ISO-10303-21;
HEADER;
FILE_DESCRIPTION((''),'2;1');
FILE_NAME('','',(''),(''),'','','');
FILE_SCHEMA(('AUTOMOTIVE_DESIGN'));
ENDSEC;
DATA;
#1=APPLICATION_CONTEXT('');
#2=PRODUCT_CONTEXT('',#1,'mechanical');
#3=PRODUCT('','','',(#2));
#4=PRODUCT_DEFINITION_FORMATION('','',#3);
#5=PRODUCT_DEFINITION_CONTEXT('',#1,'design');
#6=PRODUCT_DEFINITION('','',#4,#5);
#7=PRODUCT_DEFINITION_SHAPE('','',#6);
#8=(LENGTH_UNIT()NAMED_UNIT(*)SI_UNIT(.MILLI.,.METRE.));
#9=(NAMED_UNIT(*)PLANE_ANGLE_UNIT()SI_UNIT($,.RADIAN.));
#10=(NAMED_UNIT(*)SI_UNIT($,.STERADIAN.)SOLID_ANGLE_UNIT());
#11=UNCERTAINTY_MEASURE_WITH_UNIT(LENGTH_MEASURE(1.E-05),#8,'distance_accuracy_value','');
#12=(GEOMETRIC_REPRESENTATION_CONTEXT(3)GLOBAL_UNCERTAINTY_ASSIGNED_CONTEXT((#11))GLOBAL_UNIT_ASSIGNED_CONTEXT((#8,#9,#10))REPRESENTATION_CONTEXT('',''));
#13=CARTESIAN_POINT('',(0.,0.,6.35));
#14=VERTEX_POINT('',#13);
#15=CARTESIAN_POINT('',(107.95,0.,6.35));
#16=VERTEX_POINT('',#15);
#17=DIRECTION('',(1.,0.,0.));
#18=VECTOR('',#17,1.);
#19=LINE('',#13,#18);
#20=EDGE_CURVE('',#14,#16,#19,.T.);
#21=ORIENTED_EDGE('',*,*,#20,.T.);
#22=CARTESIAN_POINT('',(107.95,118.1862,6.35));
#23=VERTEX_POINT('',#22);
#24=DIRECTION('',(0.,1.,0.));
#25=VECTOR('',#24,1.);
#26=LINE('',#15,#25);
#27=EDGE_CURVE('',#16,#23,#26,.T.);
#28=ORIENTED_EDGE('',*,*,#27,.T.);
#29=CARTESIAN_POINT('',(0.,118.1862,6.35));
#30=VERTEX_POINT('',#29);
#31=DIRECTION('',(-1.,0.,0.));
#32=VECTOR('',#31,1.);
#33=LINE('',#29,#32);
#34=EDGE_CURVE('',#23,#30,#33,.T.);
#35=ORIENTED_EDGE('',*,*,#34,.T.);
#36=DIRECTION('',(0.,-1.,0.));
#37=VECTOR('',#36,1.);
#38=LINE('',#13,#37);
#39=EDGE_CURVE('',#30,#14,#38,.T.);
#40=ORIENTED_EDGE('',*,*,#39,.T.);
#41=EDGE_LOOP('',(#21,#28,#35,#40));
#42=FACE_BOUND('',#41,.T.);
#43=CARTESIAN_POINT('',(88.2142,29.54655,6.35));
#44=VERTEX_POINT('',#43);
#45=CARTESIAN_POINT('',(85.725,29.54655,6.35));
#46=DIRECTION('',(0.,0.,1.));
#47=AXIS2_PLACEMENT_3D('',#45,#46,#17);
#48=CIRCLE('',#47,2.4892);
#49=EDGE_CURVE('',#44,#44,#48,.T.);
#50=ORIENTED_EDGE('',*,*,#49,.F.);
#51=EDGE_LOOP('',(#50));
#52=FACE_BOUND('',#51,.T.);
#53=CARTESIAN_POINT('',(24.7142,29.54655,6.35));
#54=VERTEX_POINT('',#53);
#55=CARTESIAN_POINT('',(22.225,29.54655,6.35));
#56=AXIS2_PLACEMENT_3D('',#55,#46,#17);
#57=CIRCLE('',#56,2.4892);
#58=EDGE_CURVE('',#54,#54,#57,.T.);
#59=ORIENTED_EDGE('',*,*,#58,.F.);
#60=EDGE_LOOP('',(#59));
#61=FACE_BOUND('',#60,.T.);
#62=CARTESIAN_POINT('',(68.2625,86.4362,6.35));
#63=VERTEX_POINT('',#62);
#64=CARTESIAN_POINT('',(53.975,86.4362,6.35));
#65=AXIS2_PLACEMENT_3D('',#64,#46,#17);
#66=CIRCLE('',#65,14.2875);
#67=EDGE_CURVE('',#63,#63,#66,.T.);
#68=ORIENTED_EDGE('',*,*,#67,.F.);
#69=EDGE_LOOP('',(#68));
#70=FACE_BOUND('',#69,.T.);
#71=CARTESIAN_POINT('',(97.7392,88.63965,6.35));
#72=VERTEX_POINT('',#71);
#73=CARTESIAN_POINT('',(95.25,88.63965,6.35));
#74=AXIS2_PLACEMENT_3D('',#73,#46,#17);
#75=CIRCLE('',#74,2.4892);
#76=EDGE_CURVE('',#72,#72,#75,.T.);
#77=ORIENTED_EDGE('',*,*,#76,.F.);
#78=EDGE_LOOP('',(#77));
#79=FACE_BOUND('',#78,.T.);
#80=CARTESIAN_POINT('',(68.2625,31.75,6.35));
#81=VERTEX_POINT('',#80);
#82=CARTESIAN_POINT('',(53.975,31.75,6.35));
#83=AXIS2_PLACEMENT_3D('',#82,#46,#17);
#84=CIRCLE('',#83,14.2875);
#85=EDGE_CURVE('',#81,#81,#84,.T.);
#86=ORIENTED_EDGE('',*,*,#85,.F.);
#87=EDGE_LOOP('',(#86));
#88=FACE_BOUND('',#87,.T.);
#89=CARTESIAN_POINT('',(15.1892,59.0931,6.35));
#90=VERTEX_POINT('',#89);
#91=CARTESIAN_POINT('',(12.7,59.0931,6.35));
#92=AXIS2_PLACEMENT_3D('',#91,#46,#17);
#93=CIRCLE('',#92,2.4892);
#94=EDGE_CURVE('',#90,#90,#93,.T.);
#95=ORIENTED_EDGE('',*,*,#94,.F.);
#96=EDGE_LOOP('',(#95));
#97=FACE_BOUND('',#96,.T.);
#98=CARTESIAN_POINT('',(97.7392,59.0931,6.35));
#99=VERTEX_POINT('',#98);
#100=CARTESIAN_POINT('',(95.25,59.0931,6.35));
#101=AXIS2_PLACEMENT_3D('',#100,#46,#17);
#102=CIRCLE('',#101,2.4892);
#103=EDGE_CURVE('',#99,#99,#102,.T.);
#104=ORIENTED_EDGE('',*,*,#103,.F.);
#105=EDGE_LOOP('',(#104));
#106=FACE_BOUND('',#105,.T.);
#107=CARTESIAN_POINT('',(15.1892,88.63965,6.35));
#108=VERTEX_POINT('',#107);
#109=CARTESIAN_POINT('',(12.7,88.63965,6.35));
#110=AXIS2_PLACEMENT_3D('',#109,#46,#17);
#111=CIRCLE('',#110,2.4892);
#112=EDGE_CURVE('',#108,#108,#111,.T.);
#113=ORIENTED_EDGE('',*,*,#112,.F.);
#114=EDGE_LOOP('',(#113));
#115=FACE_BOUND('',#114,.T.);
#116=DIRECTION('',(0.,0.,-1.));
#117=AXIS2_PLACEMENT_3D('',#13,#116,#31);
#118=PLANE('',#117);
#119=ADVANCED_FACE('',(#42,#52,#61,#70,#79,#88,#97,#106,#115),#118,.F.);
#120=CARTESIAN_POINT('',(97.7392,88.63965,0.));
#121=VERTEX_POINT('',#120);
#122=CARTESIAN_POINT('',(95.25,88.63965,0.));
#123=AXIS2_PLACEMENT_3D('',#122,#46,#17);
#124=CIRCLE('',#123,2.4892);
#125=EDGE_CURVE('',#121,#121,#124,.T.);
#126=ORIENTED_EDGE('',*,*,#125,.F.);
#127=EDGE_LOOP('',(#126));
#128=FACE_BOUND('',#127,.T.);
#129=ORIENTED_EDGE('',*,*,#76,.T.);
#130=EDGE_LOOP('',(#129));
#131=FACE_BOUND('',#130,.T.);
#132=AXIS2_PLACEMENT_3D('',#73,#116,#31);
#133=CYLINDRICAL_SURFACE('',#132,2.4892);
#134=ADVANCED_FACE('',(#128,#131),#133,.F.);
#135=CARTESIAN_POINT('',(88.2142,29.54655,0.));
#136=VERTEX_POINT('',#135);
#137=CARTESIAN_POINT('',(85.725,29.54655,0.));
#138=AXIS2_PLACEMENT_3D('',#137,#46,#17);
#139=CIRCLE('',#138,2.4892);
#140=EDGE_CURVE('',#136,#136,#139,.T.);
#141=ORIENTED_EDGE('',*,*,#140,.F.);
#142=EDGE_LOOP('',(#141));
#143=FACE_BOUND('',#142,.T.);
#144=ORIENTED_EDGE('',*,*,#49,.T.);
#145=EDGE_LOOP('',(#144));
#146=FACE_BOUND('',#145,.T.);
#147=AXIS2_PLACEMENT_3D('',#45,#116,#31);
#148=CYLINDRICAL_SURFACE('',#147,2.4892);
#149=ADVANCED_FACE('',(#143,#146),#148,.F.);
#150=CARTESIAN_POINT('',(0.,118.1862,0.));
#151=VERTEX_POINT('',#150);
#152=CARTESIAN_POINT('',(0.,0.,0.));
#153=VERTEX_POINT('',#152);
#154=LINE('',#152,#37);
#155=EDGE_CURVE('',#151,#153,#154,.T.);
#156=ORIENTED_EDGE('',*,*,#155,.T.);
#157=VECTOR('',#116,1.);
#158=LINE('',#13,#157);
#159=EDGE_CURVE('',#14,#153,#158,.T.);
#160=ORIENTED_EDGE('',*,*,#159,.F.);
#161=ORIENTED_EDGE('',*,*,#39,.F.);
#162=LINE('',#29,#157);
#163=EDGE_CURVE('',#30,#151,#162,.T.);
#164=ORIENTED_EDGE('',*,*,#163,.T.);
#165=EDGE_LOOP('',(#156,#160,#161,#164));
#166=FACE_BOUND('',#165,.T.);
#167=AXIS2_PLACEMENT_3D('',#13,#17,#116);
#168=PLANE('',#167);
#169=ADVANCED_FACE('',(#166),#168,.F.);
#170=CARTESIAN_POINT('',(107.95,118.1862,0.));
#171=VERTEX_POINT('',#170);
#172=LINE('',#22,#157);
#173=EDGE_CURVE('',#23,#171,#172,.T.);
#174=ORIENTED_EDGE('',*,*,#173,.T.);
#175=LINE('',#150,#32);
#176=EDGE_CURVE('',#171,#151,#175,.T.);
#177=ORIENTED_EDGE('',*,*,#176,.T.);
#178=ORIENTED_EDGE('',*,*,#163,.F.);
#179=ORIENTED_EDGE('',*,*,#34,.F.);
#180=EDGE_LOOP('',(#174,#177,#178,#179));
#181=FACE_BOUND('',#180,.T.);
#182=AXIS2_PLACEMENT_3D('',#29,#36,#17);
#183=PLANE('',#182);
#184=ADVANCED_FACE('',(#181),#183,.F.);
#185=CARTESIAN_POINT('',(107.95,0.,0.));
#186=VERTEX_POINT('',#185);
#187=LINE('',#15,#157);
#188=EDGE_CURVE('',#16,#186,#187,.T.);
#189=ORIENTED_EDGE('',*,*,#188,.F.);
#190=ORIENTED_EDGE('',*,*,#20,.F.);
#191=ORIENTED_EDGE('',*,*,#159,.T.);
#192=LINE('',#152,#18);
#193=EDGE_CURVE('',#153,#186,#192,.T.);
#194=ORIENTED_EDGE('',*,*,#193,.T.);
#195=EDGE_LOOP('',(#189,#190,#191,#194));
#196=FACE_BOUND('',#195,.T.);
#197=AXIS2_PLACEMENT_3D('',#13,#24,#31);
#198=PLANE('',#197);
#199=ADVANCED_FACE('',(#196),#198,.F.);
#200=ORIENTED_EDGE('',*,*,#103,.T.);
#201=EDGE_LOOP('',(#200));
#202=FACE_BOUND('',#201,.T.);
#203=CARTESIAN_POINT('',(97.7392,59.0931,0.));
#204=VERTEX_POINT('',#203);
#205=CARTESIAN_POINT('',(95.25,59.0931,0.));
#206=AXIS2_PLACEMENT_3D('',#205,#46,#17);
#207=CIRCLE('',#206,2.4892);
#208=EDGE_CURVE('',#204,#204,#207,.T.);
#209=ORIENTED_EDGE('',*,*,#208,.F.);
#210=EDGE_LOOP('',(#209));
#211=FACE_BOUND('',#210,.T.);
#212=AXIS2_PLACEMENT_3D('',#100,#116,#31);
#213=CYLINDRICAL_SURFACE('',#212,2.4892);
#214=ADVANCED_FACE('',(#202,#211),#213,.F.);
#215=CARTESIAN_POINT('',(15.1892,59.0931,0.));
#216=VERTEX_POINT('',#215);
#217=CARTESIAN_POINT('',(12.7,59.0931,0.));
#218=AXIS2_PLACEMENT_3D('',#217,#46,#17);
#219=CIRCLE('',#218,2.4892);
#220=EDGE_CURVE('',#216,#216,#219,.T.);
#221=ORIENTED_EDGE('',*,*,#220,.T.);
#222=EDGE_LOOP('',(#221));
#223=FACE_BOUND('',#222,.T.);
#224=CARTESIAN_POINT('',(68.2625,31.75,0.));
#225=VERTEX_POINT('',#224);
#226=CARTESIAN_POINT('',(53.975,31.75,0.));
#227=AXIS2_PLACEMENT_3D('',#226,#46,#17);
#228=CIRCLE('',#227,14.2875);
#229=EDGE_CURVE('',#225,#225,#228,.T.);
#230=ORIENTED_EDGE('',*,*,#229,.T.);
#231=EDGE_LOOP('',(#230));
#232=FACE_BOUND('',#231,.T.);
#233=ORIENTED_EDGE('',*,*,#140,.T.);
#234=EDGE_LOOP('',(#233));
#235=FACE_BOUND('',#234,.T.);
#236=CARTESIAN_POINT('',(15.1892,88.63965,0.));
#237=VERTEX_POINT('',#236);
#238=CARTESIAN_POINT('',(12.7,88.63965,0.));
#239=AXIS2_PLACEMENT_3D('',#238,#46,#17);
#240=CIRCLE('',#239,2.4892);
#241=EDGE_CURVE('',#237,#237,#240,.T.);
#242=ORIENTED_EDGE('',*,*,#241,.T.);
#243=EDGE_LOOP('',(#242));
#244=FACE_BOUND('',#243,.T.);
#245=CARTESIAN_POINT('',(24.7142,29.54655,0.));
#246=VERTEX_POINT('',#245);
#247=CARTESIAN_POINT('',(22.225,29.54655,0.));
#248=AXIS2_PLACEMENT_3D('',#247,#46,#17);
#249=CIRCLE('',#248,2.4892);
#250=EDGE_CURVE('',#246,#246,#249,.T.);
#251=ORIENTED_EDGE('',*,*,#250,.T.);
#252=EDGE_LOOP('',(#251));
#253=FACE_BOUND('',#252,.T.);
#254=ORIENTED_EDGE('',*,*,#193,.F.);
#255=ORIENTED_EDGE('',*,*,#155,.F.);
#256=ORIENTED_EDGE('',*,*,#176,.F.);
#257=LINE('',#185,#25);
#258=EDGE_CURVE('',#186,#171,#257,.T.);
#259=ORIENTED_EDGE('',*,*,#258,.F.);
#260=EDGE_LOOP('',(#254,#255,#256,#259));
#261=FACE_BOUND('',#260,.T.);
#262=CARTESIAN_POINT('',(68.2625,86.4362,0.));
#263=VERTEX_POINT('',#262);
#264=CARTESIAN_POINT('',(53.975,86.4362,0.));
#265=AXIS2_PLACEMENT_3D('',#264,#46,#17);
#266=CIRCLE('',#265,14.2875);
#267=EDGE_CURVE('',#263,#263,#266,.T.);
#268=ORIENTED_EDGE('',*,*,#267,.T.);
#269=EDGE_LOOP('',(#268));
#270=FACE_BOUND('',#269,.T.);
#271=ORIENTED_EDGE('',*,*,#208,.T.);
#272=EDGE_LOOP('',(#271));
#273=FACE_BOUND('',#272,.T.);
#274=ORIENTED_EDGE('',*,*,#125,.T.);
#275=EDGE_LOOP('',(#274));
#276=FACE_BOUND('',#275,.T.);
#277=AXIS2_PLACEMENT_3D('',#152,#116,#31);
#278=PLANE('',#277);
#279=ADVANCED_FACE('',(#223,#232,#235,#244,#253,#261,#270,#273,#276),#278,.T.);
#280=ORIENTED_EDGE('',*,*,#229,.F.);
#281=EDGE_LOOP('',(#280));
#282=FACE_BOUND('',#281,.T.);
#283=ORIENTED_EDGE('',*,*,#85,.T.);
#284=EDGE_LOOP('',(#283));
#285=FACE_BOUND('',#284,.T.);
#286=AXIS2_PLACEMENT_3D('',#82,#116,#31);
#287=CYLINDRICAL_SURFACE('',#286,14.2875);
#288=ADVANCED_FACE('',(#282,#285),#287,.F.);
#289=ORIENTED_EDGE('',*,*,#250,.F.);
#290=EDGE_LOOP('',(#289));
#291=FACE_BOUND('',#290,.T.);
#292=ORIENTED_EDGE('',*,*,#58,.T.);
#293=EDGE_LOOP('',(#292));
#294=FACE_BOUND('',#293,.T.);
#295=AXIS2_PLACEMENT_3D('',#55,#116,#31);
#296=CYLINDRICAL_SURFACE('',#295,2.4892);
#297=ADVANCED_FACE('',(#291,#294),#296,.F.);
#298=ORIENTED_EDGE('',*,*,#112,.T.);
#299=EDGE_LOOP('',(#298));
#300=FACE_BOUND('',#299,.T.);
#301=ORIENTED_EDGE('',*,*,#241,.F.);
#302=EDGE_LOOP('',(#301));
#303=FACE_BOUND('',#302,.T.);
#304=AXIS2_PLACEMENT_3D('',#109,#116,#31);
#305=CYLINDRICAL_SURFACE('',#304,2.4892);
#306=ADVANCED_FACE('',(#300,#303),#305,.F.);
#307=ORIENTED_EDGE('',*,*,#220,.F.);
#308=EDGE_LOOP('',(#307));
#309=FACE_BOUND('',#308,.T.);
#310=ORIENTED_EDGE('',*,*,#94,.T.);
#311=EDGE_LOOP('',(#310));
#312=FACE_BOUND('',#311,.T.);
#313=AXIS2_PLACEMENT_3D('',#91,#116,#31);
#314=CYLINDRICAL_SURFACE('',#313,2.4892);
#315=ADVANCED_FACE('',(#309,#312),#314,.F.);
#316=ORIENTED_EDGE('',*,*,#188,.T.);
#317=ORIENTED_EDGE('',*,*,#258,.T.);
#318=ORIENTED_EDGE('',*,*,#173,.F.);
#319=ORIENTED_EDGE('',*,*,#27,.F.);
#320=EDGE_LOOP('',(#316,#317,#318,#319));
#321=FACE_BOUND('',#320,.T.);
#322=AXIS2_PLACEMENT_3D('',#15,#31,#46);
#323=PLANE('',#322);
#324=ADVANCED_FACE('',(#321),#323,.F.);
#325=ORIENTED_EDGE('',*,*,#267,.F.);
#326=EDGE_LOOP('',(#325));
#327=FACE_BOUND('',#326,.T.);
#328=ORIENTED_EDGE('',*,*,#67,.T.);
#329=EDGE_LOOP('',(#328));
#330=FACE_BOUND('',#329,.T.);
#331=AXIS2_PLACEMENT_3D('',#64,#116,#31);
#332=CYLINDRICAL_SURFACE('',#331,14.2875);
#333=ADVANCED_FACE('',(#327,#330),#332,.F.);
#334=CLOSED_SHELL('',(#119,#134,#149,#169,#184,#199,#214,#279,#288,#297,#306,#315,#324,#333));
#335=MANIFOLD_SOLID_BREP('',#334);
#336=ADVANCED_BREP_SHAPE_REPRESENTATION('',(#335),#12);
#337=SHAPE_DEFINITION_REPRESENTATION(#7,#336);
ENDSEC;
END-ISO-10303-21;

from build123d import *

# Parameters (mm, degrees)
SKETCH1_W           = 107.95
SKETCH1_H           = 118.1862
SKETCH1_R           = 14.2875
SKETCH1_R_2         = 2.4892
BOSS_EXTRUDE1_DEPTH = 6.35


with BuildPart() as part:
    # Sketch1 → Boss-Extrude1 (new body)
    with BuildSketch(Plane.XY):
        with Locations((53.975, 59.0931)):
            Rectangle(SKETCH1_W, SKETCH1_H)
        with Locations((53.975, 86.4362)):
            Circle(SKETCH1_R, mode=Mode.SUBTRACT)
        with Locations((53.975, 31.75)):
            Circle(SKETCH1_R, mode=Mode.SUBTRACT)
        with Locations((95.25, 59.0931)):
            Circle(SKETCH1_R_2, mode=Mode.SUBTRACT)
        with Locations((95.25, 88.63965)):
            Circle(SKETCH1_R_2, mode=Mode.SUBTRACT)
        with Locations((12.7, 88.63965)):
            Circle(SKETCH1_R_2, mode=Mode.SUBTRACT)
        with Locations((12.7, 59.0931)):
            Circle(SKETCH1_R_2, mode=Mode.SUBTRACT)
        with Locations((22.225, 29.54655)):
            Circle(SKETCH1_R_2, mode=Mode.SUBTRACT)
        with Locations((85.725, 29.54655)):
            Circle(SKETCH1_R_2, mode=Mode.SUBTRACT)
    extrude(amount=BOSS_EXTRUDE1_DEPTH)


solid = part.part
